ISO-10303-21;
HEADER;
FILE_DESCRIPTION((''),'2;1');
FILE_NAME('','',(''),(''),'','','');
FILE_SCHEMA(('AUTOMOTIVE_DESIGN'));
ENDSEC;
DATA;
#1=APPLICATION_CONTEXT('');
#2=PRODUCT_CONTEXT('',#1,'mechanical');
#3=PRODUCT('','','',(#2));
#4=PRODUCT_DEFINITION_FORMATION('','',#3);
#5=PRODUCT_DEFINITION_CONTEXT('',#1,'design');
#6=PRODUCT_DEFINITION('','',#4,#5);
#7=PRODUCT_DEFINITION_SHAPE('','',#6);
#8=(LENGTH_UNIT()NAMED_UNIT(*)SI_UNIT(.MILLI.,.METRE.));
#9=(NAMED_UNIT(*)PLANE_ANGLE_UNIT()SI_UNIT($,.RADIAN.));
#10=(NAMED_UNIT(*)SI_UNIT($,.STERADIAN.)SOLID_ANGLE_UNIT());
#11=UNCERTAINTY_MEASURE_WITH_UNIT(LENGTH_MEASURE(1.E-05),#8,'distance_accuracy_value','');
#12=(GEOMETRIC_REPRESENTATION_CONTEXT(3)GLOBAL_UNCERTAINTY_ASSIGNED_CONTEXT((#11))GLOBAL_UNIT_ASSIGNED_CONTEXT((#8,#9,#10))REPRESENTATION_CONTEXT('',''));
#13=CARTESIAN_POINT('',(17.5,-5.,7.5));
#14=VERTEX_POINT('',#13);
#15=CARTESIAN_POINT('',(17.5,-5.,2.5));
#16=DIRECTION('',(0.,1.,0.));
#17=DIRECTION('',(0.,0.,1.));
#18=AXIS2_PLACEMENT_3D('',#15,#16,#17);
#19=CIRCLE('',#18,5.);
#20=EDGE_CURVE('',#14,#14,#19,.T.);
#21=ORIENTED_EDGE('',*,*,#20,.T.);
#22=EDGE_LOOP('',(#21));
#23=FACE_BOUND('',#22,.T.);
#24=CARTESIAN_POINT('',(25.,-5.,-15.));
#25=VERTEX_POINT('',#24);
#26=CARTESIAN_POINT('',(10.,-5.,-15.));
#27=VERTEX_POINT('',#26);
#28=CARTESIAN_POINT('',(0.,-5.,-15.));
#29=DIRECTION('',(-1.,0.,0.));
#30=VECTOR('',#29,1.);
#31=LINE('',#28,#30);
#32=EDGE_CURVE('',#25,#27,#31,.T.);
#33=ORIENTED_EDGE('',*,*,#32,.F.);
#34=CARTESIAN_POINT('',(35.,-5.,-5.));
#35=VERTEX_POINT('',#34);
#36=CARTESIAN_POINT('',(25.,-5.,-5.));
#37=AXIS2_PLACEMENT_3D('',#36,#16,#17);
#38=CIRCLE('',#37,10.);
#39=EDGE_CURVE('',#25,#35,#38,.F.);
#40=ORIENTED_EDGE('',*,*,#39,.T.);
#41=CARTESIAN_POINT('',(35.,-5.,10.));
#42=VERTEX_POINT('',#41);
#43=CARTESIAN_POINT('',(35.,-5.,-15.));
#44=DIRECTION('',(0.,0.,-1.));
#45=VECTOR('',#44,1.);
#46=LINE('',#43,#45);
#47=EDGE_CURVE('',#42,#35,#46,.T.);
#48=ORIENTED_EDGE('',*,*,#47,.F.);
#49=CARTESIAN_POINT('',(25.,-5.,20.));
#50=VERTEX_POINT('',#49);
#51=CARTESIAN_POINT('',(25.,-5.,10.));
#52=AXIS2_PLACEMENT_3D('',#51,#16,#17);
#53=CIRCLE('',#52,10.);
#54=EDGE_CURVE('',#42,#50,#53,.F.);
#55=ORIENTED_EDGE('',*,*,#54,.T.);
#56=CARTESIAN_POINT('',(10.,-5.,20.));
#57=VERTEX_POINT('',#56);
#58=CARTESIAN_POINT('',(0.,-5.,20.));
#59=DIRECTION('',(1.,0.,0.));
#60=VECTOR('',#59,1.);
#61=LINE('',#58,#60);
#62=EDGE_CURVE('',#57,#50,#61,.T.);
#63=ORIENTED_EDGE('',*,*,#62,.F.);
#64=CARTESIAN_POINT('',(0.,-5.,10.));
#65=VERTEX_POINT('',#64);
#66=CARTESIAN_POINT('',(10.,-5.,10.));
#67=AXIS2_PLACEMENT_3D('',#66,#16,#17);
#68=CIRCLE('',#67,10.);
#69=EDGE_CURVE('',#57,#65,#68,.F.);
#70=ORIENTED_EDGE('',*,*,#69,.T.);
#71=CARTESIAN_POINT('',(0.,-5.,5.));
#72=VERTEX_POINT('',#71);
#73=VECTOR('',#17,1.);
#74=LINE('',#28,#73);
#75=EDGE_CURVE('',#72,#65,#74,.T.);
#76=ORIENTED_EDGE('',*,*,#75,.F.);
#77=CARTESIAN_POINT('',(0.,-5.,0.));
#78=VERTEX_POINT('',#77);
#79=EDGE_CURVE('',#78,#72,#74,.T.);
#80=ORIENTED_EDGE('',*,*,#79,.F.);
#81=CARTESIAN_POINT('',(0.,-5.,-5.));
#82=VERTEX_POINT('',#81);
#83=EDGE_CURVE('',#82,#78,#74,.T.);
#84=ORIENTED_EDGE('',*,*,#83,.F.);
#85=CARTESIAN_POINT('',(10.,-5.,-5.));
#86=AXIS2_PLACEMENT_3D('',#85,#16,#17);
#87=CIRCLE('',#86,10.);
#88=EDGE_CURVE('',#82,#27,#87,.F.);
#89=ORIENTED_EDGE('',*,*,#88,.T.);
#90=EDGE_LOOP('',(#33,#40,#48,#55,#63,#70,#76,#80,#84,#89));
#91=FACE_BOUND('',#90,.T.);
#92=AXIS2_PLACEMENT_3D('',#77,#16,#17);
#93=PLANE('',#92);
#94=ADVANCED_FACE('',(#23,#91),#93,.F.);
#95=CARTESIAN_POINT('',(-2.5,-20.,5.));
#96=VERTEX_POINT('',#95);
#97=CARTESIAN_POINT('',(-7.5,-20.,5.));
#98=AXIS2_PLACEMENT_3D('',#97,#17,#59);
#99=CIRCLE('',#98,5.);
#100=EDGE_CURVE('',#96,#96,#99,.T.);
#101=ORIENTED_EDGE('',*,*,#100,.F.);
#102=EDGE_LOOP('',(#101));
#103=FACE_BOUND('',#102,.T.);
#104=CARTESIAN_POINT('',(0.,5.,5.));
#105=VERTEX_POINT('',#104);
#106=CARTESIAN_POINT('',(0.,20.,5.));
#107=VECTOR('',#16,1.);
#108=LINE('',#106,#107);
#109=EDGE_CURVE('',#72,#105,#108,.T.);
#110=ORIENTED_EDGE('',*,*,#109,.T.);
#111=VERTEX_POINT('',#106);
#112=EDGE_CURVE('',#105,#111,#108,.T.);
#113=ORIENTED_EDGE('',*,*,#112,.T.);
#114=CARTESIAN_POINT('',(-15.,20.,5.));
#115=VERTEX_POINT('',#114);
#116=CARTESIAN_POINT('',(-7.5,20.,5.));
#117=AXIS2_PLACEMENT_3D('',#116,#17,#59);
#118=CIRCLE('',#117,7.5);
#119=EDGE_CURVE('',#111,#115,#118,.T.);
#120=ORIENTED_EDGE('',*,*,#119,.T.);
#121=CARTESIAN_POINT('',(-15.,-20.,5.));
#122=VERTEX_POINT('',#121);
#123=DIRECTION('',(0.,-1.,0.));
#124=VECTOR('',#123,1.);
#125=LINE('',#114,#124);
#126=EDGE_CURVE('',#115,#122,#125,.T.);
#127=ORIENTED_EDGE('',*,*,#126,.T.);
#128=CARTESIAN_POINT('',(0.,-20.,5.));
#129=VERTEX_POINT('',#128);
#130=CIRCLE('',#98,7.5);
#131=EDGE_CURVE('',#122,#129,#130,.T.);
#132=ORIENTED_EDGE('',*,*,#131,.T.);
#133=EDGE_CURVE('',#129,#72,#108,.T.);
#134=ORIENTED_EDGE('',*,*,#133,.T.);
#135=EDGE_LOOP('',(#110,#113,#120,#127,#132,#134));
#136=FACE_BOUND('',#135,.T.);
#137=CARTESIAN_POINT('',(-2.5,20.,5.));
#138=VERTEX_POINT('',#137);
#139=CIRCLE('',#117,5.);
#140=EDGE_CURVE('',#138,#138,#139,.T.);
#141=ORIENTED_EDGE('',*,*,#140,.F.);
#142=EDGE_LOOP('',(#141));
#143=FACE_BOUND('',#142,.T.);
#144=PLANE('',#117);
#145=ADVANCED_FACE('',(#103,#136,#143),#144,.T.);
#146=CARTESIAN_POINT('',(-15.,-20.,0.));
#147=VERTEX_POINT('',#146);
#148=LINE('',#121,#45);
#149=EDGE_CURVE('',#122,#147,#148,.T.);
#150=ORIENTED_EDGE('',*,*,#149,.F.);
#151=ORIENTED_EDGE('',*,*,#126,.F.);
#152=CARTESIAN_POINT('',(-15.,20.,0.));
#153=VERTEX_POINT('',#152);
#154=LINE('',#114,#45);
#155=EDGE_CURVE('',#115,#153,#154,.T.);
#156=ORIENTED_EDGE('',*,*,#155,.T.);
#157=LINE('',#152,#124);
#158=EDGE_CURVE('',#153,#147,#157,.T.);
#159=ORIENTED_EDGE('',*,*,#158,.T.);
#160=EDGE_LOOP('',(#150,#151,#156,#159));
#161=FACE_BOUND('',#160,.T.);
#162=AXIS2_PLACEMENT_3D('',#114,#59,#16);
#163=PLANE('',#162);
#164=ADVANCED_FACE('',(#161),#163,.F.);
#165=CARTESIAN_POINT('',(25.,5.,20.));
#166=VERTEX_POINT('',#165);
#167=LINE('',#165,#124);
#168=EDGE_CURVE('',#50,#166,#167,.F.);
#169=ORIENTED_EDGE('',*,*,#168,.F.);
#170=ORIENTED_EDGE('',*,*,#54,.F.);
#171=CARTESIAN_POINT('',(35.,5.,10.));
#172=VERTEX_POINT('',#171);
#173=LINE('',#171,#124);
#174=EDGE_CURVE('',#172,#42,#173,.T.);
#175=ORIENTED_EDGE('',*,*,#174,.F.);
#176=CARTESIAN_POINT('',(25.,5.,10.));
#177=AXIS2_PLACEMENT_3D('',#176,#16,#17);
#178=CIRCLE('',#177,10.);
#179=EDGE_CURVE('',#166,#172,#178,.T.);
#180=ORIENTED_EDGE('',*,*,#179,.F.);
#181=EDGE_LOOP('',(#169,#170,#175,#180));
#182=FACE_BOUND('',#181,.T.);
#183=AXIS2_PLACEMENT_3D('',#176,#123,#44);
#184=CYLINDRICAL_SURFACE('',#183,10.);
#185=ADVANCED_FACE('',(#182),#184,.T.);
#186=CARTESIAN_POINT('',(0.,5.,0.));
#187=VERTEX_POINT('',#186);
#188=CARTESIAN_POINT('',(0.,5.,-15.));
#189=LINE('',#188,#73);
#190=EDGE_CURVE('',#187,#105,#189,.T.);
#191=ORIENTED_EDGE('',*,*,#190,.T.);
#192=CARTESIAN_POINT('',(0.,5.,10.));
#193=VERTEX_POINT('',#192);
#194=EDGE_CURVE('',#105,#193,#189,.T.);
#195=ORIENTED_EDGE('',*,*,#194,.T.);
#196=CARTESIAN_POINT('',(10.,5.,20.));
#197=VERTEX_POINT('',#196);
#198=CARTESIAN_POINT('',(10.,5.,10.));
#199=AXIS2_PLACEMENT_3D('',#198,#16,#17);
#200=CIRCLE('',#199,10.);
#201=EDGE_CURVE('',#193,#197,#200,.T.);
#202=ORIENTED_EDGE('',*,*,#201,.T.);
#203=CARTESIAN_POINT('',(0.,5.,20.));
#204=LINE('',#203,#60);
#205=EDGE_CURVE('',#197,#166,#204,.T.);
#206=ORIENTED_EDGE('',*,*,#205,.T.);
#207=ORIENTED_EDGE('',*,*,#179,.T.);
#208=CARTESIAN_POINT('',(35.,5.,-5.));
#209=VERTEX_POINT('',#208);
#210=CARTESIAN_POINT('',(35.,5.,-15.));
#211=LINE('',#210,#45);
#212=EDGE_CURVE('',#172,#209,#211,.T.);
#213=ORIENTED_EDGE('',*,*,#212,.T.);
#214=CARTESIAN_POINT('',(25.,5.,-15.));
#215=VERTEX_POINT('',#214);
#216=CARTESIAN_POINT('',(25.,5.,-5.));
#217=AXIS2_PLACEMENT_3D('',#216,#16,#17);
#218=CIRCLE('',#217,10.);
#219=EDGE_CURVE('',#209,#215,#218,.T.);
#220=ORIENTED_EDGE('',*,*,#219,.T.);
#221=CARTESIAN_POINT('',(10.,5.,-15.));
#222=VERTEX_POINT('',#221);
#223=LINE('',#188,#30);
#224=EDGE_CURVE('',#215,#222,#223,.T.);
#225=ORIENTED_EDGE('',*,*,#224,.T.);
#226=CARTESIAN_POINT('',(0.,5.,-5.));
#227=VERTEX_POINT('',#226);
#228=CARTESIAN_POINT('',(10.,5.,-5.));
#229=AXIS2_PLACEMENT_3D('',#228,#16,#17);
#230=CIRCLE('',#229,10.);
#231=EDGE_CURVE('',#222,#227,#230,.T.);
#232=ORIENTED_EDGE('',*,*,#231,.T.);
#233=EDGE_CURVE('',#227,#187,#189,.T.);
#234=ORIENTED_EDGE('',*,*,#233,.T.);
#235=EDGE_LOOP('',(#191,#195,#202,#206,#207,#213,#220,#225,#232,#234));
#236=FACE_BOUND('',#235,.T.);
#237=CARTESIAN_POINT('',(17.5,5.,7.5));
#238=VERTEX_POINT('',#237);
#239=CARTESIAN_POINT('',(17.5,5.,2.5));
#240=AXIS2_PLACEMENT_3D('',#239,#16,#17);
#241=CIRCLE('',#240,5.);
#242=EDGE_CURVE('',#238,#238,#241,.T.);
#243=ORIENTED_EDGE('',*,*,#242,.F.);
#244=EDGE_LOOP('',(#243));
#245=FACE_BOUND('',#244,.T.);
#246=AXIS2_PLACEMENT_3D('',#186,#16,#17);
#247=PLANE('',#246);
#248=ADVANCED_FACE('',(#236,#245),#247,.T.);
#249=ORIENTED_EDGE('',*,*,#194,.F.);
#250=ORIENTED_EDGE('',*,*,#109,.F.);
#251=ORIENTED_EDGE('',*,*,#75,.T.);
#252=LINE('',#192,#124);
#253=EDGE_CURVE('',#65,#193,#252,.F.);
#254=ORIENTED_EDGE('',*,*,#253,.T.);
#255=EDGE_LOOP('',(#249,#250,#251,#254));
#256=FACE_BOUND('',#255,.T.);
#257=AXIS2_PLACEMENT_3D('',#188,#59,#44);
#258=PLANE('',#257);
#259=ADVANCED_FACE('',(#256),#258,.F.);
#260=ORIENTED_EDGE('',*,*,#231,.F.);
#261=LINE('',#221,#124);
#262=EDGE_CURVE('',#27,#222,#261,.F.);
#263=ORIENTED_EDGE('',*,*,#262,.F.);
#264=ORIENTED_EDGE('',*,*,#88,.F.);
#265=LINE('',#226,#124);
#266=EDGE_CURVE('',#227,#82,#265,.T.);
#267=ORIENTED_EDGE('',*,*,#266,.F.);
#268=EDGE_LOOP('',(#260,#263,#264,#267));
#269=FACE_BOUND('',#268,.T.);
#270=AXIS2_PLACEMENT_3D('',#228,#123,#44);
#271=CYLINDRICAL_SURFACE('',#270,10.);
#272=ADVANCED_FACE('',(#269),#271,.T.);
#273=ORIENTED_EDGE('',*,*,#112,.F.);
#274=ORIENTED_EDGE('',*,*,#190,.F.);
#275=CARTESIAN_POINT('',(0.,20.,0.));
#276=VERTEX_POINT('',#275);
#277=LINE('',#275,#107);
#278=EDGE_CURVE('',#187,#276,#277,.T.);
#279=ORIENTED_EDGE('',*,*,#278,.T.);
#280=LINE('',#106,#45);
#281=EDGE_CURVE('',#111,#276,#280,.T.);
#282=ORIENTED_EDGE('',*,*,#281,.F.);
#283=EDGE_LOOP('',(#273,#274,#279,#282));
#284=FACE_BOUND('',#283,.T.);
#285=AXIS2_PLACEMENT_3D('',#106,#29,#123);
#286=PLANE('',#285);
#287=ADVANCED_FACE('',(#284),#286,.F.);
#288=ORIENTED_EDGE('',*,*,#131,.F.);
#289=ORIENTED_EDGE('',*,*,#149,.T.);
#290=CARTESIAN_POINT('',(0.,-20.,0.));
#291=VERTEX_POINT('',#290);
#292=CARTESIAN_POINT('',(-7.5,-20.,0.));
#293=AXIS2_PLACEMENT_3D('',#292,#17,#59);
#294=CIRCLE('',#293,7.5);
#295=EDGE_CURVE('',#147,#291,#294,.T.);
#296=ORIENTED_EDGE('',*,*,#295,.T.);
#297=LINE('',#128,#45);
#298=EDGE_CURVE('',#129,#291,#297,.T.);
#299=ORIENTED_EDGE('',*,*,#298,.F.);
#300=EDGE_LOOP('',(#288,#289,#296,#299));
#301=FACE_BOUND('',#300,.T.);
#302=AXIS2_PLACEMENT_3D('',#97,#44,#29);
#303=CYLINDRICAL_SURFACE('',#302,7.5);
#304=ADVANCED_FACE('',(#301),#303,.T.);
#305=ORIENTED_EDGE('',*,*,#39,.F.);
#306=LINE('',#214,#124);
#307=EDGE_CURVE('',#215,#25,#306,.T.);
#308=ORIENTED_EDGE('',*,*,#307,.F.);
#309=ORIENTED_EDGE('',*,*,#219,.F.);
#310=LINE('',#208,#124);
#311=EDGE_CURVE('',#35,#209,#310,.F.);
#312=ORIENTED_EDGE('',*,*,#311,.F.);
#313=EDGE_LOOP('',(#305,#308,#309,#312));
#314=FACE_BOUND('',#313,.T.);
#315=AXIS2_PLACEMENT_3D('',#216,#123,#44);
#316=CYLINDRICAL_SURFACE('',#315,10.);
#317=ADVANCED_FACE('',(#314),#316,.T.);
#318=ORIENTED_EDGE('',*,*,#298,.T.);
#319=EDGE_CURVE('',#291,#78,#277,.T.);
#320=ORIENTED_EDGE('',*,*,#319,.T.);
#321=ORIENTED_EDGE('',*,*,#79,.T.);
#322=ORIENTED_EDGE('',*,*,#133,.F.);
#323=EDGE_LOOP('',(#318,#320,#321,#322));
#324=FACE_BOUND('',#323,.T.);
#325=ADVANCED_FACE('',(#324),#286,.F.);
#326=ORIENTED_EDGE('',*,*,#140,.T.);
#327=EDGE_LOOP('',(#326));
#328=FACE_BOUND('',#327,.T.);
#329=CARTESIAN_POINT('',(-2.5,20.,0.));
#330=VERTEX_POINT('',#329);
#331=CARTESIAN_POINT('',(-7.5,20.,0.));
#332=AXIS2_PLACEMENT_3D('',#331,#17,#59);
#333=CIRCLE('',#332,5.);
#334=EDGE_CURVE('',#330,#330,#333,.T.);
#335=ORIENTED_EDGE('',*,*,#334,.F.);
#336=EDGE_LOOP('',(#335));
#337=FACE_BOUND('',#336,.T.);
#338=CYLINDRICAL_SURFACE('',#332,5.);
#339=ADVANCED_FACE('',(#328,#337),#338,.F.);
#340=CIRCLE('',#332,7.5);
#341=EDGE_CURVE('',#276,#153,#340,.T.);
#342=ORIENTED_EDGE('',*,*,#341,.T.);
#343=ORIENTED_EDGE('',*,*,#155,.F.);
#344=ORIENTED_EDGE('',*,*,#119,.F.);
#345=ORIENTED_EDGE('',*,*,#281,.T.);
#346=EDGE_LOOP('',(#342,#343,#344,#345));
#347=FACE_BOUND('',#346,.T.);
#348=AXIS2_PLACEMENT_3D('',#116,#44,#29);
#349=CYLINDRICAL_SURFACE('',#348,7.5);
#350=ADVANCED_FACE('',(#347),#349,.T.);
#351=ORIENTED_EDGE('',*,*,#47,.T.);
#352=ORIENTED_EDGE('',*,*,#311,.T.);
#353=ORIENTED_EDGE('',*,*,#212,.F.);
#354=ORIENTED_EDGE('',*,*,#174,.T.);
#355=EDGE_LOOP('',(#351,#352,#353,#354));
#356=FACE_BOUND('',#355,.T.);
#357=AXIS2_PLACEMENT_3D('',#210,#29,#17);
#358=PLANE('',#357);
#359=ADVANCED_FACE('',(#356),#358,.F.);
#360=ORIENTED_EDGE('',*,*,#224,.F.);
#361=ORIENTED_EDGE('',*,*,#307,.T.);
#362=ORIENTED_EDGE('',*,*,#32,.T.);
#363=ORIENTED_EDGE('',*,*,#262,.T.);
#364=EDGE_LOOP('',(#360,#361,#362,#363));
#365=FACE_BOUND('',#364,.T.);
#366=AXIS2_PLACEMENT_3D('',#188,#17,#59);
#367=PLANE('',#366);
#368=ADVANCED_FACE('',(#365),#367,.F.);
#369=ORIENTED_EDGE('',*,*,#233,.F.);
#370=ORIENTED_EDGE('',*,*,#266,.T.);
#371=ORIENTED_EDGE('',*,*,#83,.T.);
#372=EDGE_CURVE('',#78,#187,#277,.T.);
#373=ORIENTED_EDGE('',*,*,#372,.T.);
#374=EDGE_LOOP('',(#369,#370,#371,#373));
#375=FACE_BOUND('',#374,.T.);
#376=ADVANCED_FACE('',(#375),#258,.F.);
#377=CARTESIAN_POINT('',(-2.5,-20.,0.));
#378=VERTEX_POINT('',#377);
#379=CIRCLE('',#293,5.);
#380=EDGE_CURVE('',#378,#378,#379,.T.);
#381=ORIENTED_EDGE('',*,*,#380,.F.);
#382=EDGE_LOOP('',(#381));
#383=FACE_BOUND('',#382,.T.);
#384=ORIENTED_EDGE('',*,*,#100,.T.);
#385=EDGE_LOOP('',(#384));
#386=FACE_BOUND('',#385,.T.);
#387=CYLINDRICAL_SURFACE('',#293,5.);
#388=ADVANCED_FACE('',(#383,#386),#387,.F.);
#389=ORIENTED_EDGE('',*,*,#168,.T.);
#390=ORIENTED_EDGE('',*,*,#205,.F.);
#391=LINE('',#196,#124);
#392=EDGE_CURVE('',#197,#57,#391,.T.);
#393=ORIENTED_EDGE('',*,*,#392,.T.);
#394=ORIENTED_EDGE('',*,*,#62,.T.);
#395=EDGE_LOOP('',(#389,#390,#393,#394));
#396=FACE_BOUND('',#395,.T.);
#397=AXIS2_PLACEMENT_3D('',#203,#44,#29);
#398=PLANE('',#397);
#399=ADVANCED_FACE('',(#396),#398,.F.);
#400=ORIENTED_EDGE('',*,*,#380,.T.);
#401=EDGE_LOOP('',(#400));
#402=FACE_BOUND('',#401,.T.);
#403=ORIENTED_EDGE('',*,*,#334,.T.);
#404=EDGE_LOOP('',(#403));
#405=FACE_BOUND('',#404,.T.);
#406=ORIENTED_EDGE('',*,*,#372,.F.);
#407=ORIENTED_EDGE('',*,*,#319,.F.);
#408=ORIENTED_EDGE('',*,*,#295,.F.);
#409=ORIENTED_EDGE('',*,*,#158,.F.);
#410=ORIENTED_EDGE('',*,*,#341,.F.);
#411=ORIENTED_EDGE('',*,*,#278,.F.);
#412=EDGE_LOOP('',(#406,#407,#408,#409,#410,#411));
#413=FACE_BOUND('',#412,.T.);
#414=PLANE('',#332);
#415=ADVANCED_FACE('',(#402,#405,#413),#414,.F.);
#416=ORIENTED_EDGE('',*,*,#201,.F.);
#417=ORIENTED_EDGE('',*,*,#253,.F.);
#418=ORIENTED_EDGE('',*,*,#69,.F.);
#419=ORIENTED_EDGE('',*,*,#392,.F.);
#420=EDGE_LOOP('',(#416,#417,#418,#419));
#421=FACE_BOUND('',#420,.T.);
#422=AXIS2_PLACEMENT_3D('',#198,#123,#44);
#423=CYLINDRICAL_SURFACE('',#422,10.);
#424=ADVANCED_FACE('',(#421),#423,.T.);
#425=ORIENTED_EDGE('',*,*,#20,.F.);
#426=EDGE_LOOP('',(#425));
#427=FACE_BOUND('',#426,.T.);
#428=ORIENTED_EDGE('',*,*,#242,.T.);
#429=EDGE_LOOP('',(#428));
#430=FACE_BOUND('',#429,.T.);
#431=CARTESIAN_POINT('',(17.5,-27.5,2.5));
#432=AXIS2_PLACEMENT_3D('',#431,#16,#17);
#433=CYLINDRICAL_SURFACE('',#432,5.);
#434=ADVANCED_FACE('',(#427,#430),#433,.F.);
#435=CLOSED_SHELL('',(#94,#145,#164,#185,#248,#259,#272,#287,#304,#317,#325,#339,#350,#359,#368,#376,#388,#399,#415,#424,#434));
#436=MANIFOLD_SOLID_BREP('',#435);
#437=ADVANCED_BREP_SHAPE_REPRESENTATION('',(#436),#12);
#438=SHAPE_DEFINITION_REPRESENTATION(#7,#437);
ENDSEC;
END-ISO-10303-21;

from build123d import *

# Parameters (mm, degrees)
EXTRUDE_1_DEPTH     = 5
SKETCH_2_R          = 5
CUT_EXTRUDE_1_DEPTH = 32.721443851
SKETCH_3_W          = 35
SKETCH_3_H          = 35
EXTRUDE_2_DEPTH     = 5
FILLET_1_R          = 10
SKETCH_4_R          = 5
CUT_EXTRUDE_2_DEPTH = 52.780787943


with BuildPart() as part:
    # 草图1 → 凸台-拉伸1 (new body)
    with BuildSketch(Plane.XY):
        with BuildLine():
            Line((0, 20), (0, -20))
            ThreePointArc((0, -20), (-7.5, -27.5), (-15, -20))
            Line((-15, -20), (-15, 20))
            ThreePointArc((-15, 20), (-7.5, 27.5), (0, 20))
        make_face()
    extrude(amount=EXTRUDE_1_DEPTH)

    # 草图2 → 切除-拉伸1 (cut, through all)
    with BuildSketch(Plane.XY.offset(5)):
        with Locations((-7.5, 20)):
            Circle(SKETCH_2_R)
        with Locations((-7.5, -20)):
            Circle(SKETCH_2_R)
    extrude(amount=-CUT_EXTRUDE_1_DEPTH, mode=Mode.SUBTRACT)

    # 草图3 → 凸台-拉伸2 (add, symmetric)
    with BuildSketch(Plane(origin=(0, 0, 0), x_dir=(1, 0, 0), z_dir=(0, 1, 0))):
        with Locations((17.5, -2.5)):
            Rectangle(SKETCH_3_W, SKETCH_3_H)
    extrude(amount=EXTRUDE_2_DEPTH, both=True)

    # 圆角1
    fillet_1_edges = [part.edges().sort_by_distance(p)[0] for p in [
        (0, 0, -15),
        (0, 0, 20),
        (35, 0, 20),
        (35, 0, -15),
    ]]
    fillet(fillet_1_edges, radius=FILLET_1_R)

    # 草图4 → 切除-拉伸2 (cut, through all)
    with BuildSketch(Plane(origin=(0, 5, 0), x_dir=(1, 0, 0), z_dir=(0, 1, 0))):
        with Locations(Location((17.5, -2.5, 0), (0, 0, 270))):
            Circle(SKETCH_4_R)
    extrude(amount=-CUT_EXTRUDE_2_DEPTH, mode=Mode.SUBTRACT)


solid = part.part
